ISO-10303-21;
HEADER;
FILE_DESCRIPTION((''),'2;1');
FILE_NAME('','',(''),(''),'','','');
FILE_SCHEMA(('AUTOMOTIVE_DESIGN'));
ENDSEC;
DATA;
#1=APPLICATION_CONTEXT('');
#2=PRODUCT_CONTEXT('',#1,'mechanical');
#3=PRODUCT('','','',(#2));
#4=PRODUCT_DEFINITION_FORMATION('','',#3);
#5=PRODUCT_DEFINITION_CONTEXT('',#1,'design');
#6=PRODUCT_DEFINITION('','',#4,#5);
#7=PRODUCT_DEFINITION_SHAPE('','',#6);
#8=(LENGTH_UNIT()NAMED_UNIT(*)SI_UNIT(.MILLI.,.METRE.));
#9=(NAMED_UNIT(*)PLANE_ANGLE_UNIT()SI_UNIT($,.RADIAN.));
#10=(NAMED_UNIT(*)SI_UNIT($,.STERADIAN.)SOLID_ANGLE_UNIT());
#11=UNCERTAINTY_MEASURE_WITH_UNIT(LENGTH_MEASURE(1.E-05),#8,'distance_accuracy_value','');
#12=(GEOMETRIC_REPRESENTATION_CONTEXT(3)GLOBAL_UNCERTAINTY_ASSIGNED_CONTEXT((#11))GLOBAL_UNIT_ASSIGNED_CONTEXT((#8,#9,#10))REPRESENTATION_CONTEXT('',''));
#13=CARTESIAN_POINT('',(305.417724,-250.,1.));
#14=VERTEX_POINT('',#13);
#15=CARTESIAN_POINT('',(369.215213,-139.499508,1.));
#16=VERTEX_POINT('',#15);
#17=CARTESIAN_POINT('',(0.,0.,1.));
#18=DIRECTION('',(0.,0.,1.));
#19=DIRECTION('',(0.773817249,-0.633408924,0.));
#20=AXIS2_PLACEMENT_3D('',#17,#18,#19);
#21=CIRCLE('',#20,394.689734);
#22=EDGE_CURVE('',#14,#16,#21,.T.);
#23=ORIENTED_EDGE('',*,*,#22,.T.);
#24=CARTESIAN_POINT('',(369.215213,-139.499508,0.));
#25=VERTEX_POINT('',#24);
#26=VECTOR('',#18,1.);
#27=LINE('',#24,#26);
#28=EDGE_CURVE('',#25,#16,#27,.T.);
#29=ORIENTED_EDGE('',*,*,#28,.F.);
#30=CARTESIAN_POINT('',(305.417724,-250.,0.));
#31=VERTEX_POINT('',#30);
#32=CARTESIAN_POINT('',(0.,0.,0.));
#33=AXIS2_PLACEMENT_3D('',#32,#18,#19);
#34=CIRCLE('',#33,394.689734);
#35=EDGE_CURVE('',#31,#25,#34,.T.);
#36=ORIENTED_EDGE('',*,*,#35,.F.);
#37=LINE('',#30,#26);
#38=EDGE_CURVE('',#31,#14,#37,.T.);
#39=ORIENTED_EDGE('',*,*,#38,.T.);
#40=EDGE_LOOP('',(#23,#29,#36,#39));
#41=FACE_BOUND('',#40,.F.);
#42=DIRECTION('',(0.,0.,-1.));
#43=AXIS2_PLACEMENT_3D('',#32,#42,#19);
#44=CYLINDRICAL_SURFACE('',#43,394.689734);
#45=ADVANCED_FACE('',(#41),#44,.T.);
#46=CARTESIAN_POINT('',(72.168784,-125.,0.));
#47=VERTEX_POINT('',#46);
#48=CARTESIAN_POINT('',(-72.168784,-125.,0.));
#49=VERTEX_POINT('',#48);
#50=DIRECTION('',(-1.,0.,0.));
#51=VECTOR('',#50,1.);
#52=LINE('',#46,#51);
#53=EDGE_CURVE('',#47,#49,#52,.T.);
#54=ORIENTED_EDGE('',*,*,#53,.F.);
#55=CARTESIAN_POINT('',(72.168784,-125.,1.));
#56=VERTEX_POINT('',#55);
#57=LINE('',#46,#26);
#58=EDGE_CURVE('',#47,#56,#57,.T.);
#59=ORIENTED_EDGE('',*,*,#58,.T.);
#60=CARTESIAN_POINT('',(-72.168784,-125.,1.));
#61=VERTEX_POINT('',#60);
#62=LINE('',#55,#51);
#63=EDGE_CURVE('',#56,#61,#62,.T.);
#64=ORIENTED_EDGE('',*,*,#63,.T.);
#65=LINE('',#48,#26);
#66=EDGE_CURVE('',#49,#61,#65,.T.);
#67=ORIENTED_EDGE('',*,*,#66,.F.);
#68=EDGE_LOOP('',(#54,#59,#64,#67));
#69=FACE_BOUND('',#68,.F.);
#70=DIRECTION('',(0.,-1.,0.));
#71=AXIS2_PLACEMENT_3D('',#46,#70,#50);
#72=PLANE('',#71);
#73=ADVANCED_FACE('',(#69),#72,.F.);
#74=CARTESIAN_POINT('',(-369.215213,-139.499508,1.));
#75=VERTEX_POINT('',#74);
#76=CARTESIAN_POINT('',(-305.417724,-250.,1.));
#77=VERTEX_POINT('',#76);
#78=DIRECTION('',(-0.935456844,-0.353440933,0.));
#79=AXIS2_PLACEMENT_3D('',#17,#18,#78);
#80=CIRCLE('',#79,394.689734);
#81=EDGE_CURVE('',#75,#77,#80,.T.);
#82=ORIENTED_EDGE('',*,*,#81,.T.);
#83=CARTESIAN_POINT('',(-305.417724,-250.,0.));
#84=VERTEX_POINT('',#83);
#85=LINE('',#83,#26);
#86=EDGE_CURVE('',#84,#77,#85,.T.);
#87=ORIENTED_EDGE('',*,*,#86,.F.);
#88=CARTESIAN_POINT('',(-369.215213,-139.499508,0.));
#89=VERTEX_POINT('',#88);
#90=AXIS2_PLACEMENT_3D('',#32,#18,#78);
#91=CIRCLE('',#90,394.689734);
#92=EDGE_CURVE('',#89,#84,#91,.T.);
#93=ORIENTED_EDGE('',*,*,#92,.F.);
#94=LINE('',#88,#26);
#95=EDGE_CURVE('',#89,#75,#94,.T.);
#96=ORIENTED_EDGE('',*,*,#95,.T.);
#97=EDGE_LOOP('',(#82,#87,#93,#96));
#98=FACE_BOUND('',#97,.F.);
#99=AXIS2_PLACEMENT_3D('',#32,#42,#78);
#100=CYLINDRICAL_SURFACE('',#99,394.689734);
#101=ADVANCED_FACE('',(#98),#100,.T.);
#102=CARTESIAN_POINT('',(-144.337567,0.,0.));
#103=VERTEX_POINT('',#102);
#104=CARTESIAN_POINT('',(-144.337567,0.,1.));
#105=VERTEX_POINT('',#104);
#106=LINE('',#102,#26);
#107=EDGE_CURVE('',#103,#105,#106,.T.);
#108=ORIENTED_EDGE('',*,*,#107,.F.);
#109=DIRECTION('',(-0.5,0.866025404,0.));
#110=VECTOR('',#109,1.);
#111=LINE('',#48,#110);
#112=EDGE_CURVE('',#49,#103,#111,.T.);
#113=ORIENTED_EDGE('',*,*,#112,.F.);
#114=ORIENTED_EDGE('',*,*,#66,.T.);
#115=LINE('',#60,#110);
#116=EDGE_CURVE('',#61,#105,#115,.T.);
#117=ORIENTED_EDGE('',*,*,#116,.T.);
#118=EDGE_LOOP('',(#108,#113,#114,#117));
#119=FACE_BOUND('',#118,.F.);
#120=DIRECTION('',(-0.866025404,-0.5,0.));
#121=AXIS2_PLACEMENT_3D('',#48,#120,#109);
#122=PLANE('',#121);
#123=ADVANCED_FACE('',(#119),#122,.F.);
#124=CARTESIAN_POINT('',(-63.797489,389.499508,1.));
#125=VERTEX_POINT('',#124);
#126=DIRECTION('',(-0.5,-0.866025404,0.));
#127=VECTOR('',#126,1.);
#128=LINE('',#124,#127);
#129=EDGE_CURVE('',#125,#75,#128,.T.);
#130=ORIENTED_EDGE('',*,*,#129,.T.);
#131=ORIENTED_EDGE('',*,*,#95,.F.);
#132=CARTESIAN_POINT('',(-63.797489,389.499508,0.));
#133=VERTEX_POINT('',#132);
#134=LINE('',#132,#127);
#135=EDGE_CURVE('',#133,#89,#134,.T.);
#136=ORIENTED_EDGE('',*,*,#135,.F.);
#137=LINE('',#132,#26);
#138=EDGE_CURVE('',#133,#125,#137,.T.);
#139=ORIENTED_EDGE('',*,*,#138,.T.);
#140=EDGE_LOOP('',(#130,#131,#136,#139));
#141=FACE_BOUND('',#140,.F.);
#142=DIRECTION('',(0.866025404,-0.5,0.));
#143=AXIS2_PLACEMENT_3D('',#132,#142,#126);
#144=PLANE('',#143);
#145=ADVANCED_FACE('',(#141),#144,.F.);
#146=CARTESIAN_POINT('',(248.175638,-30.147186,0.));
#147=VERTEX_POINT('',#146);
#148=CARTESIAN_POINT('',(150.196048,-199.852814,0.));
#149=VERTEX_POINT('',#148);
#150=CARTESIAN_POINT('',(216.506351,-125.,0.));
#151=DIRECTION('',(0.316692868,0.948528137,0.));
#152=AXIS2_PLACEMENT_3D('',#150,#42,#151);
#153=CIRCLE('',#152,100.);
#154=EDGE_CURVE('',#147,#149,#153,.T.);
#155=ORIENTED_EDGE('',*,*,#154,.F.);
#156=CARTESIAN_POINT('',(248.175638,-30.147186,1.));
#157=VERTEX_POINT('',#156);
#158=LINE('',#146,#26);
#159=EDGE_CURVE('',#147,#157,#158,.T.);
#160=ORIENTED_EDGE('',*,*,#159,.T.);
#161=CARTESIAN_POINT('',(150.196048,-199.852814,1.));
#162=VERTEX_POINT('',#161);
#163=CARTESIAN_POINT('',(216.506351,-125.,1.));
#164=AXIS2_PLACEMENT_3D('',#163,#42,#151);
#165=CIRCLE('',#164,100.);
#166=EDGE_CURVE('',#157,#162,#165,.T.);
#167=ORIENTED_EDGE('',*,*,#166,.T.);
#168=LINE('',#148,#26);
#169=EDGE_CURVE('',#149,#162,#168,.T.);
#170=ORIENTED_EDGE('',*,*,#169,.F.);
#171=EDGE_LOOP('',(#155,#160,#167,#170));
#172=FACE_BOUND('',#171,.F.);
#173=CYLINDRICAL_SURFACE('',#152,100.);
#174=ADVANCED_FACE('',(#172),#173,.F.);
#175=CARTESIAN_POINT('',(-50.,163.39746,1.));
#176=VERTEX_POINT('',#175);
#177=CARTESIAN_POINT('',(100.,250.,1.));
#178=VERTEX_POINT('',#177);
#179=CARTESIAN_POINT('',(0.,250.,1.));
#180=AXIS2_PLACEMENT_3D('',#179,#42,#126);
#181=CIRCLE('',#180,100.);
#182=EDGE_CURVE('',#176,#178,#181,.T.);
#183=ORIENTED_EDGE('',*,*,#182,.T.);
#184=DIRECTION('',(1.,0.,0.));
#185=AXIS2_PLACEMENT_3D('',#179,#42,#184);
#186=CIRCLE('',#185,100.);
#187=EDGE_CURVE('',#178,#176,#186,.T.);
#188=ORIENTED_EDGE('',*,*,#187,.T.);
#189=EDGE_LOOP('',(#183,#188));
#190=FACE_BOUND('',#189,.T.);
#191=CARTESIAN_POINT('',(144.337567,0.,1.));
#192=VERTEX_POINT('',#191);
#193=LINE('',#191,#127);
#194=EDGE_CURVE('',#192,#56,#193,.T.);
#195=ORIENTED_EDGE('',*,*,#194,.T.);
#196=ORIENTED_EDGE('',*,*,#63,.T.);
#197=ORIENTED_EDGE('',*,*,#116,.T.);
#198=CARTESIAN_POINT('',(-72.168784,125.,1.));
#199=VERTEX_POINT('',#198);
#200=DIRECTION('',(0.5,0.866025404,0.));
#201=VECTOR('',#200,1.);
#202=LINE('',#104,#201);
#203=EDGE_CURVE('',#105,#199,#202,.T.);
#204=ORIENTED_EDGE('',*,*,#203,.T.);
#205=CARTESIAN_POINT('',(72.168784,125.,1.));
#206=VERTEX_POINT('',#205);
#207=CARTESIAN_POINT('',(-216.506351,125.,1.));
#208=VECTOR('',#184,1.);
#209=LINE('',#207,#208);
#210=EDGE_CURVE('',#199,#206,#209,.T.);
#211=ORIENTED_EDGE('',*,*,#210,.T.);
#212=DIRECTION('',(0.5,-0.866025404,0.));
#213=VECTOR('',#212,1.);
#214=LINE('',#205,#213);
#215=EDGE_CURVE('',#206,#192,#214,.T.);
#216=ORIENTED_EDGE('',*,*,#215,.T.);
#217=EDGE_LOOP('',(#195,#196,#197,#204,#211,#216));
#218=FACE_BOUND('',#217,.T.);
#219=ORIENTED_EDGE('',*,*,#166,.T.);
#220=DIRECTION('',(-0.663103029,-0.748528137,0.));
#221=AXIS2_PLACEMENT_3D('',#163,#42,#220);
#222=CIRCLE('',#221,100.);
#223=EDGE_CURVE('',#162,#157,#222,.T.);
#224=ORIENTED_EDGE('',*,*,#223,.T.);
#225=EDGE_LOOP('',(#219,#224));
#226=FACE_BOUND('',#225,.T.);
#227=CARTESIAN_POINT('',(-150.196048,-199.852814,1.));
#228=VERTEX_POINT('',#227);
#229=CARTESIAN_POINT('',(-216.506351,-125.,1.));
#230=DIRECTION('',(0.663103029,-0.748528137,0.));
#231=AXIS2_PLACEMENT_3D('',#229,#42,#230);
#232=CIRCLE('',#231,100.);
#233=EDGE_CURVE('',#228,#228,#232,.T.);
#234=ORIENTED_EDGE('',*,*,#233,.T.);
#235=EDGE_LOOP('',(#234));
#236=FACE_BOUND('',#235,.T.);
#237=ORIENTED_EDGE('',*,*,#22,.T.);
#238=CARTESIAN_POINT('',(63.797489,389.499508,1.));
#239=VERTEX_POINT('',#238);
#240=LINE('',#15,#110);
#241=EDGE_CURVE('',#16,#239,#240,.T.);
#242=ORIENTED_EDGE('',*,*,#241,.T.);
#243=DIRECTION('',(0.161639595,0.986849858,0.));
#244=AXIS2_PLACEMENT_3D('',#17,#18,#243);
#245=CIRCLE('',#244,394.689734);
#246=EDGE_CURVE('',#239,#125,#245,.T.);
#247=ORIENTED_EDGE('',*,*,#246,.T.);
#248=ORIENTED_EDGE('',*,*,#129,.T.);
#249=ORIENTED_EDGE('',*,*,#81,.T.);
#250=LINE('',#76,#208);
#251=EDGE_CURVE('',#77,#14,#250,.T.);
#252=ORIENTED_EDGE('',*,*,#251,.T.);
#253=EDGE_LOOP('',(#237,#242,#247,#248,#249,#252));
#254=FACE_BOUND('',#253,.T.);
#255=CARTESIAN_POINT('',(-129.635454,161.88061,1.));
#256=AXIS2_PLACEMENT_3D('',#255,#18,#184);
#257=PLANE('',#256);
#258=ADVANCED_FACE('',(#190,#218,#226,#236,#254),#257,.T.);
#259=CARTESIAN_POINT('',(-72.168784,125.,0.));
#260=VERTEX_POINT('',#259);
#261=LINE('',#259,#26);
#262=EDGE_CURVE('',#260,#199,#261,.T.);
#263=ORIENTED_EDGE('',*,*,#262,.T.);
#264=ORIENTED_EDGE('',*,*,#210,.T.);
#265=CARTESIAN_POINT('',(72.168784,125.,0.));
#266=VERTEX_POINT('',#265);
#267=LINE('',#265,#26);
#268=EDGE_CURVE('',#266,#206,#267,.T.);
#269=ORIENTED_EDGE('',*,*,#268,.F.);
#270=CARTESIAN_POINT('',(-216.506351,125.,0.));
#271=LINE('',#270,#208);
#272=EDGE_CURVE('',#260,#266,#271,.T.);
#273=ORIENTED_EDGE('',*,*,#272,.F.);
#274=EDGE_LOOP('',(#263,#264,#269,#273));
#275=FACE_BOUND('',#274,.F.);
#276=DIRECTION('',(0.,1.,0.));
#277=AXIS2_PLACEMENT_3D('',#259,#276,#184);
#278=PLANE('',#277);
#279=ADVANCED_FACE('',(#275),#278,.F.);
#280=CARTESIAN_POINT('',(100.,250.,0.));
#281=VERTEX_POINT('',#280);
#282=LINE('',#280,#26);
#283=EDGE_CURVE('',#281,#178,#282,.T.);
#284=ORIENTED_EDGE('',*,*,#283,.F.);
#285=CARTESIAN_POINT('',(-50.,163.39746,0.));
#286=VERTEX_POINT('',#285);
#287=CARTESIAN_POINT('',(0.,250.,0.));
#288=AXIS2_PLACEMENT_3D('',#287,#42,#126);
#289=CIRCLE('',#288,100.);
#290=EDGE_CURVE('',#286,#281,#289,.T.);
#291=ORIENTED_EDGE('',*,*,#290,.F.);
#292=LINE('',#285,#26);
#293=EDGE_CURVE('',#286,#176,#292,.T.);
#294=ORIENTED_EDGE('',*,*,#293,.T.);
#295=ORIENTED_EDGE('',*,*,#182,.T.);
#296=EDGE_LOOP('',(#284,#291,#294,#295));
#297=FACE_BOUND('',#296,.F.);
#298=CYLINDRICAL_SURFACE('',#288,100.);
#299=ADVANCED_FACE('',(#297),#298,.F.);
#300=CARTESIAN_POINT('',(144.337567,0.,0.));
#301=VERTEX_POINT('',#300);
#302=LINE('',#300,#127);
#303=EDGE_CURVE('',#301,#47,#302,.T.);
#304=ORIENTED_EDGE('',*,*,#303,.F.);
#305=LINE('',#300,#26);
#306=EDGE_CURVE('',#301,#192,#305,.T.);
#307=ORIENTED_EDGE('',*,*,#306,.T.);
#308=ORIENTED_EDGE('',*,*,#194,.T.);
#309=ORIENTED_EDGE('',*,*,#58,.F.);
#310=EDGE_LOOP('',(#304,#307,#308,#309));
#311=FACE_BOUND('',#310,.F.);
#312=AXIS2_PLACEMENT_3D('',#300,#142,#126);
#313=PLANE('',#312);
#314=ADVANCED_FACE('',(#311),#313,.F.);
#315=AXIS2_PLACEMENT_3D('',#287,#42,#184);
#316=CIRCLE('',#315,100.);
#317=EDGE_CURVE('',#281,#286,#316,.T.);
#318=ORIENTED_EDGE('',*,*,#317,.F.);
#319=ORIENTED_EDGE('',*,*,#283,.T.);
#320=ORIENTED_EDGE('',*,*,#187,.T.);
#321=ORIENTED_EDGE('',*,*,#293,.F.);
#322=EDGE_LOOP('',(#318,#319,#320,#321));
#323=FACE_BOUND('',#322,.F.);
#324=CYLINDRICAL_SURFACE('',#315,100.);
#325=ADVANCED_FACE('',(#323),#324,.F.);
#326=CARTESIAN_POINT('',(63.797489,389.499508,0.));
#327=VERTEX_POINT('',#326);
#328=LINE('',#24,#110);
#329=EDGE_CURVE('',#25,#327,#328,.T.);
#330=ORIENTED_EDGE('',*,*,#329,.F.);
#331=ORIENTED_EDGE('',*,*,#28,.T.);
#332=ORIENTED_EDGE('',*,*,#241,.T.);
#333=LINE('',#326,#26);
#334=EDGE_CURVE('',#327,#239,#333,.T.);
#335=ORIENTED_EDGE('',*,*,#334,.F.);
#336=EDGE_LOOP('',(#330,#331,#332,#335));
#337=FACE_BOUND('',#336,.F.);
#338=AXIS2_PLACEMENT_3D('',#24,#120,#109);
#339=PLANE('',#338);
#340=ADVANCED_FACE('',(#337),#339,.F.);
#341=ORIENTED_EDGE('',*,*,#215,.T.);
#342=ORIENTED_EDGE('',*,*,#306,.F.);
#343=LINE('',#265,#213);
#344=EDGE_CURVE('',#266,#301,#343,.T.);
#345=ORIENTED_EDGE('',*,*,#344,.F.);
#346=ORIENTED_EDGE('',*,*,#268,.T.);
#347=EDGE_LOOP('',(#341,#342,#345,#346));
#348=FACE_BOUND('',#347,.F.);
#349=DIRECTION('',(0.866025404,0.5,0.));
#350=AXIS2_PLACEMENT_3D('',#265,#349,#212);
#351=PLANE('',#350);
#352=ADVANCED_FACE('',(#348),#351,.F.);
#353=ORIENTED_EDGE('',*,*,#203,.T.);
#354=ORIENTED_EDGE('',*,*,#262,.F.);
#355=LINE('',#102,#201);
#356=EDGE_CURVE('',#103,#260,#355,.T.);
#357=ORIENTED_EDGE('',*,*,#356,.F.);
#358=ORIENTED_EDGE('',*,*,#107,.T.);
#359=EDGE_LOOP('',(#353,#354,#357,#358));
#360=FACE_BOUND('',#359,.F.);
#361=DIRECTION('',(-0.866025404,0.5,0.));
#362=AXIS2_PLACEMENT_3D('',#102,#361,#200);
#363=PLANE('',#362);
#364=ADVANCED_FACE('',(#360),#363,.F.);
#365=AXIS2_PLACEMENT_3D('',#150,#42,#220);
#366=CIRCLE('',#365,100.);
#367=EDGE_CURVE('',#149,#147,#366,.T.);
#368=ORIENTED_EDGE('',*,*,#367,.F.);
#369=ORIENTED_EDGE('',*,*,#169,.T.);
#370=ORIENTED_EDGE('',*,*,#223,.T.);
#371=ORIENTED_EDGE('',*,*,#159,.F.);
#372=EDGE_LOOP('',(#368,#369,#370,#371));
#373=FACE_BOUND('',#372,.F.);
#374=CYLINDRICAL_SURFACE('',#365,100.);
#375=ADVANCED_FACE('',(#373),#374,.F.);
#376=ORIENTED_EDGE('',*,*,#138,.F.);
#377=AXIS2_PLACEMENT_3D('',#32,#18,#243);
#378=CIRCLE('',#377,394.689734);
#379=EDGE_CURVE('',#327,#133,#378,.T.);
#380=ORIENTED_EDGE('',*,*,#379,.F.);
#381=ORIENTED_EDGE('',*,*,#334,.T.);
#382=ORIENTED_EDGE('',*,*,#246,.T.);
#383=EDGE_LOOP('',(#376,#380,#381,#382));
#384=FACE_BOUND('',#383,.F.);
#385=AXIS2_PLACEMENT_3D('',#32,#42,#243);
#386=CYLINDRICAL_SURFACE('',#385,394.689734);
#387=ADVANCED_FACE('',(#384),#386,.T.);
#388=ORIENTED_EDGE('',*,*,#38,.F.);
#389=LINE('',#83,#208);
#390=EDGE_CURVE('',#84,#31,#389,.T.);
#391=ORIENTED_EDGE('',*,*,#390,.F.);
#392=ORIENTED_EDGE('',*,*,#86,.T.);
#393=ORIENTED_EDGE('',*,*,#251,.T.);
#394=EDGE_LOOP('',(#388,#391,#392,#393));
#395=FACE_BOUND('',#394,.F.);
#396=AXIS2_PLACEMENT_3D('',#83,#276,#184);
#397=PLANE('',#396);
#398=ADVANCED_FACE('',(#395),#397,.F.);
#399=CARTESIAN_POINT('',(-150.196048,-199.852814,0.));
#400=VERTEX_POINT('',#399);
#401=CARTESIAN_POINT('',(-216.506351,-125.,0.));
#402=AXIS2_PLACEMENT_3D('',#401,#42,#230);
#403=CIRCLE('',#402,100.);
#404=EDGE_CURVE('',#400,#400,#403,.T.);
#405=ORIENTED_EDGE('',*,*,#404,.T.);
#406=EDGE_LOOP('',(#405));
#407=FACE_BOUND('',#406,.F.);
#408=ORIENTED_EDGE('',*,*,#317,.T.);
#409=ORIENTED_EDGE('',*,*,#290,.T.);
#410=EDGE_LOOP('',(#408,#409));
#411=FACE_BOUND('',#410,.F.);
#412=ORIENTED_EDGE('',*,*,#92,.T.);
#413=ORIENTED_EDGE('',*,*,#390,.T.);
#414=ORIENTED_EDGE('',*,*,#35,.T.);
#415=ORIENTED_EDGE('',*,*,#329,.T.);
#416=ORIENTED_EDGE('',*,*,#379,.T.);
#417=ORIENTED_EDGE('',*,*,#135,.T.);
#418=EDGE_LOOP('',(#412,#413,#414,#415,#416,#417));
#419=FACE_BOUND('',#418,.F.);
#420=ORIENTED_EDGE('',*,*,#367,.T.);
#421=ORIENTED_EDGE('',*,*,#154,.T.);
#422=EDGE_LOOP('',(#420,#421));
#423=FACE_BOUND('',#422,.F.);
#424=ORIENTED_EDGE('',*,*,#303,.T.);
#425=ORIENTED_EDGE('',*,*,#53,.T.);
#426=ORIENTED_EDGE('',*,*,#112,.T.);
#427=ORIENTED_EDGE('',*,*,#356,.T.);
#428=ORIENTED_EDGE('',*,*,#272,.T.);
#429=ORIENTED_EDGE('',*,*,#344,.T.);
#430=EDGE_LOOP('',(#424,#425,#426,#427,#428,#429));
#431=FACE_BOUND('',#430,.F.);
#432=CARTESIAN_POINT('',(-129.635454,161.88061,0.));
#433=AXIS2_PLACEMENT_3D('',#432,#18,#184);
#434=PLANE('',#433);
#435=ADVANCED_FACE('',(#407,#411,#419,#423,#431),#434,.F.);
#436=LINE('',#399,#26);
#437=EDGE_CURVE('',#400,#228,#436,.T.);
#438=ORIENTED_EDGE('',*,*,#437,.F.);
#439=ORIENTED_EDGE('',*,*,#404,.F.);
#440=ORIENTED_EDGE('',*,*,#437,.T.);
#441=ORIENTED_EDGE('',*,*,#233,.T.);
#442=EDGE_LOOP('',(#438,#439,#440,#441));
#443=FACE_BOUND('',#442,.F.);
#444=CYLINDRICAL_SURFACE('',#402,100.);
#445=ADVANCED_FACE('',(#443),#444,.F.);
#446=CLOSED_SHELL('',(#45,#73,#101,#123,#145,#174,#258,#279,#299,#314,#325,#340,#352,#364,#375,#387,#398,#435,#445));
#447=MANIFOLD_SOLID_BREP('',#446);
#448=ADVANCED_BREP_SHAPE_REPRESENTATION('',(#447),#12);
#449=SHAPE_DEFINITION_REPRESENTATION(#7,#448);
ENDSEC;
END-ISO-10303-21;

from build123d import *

# Parameters (mm, degrees)
F1_DEPTH = 1


with BuildPart() as f1:
    # F0 (on Top) → F1 (new body)
    with BuildSketch(Plane.XY):
        with BuildLine():
            ThreePointArc((-97.9795897113, 230), (-165.7757573284, 187.132034356), (-216.5063509461, 125))
            Line((-216.5063509461, 125), (-72.1687836487, 125))
            Line((-72.1687836487, 125), (-50, 163.3974596216))
            ThreePointArc((-50, 163.3974596216), (-81.1385502643, 191.5488609093), (-97.9795897113, 230))
        make_face()
        with BuildLine():
            Line((-50, 163.3974596216), (-72.1687836487, 125))
            Line((-72.1687836487, 125), (72.1687836487, 125))
            Line((72.1687836487, 125), (50, 163.3974596216))
            ThreePointArc((50, 163.3974596216), (0, 150), (-50, 163.3974596216))
        make_face()
        with BuildLine():
            Line((50, 163.3974596216), (72.1687836487, 125))
            Line((72.1687836487, 125), (216.5063509461, 125))
            ThreePointArc((216.5063509461, 125), (165.7757573284, 187.132034356), (97.9795897113, 230))
            ThreePointArc((97.9795897113, 230), (81.1385502643, 191.5488609093), (50, 163.3974596216))
        make_face()
        Polygon((216.5063509461, 125), (72.1687836487, 125), (144.3375672974, 0), align=None)
        with BuildLine():
            ThreePointArc((250, 0), (241.4814565723, 64.7047612756), (216.5063509461, 125))
            Line((216.5063509461, 125), (144.3375672974, 0))
            Line((144.3375672974, 0), (166.5063509461, -38.3974596216))
            ThreePointArc((166.5063509461, -38.3974596216), (206.4554547456, -25.5063846995), (248.1756377261, -30.1471862576))
            ThreePointArc((248.1756377261, -30.1471862576), (249.5434926336, -15.1011683071), (250, 0))
        make_face()
        with BuildLine():
            Line((144.3375672974, 0), (72.1687836487, -125))
            Line((72.1687836487, -125), (116.5063509461, -125))
            ThreePointArc((116.5063509461, -125), (129.9038105677, -75), (166.5063509461, -38.3974596216))
            Line((166.5063509461, -38.3974596216), (144.3375672974, 0))
        make_face()
        with BuildLine():
            Line((72.1687836487, -125), (0, -250))
            ThreePointArc((0, -250), (79.1732169499, -237.132034356), (150.1960480148, -199.8528137424))
            ThreePointArc((150.1960480148, -199.8528137424), (125.3169044812, -166.0424762098), (116.5063509461, -125))
            Line((116.5063509461, -125), (72.1687836487, -125))
        make_face()
        Polygon((-72.1687836487, -125), (0, -250), (72.1687836487, -125), align=None)
        with BuildLine():
            ThreePointArc((-150.1960480148, -199.8528137424), (-79.1732169499, -237.132034356), (0, -250))
            Line((0, -250), (-72.1687836487, -125))
            Line((-72.1687836487, -125), (-116.5063509461, -125))
            ThreePointArc((-116.5063509461, -125), (-125.3169044812, -166.0424762098), (-150.1960480148, -199.8528137424))
        make_face()
        with BuildLine():
            Line((-72.1687836487, -125), (-144.3375672974, 0))
            Line((-144.3375672974, 0), (-166.5063509461, -38.3974596216))
            ThreePointArc((-166.5063509461, -38.3974596216), (-129.9038105677, -75), (-116.5063509461, -125))
            Line((-116.5063509461, -125), (-72.1687836487, -125))
        make_face()
        with BuildLine():
            Line((-144.3375672974, 0), (-216.5063509461, 125))
            ThreePointArc((-216.5063509461, 125), (-244.9489742783, 50), (-248.1756377261, -30.1471862576))
            ThreePointArc((-248.1756377261, -30.1471862576), (-206.4554547456, -25.5063846995), (-166.5063509461, -38.3974596216))
            Line((-166.5063509461, -38.3974596216), (-144.3375672974, 0))
        make_face()
        with BuildLine():
            Line((-63.7974888566, 389.4995079051), (-216.5063509461, 125))
            ThreePointArc((-216.5063509461, 125), (-165.7757573284, 187.132034356), (-97.9795897113, 230))
            ThreePointArc((-97.9795897113, 230), (-10.0508962005, 349.4936153005), (100, 250))
            ThreePointArc((100, 250), (99.4936153005, 239.9491037995), (97.9795897113, 230))
            ThreePointArc((97.9795897113, 230), (165.7757573284, 187.132034356), (216.5063509461, 125))
            Line((216.5063509461, 125), (63.7974888566, 389.4995079051))
            ThreePointArc((63.7974888566, 389.4995079051), (0, 394.6897341492), (-63.7974888566, 389.4995079051))
        make_face()
        with BuildLine():
            ThreePointArc((150.1960480148, -199.8528137424), (79.1732169499, -237.132034356), (0, -250))
            Line((0, -250), (305.4177241791, -250))
            ThreePointArc((305.4177241791, -250), (341.8113363861, -197.3448670746), (369.2152130357, -139.4995079052))
            Line((369.2152130357, -139.4995079052), (216.5063509461, 125))
            ThreePointArc((216.5063509461, 125), (241.4814565723, 64.7047612756), (250, 0))
            ThreePointArc((250, 0), (249.5434926336, -15.1011683071), (248.1756377261, -30.1471862576))
            ThreePointArc((248.1756377261, -30.1471862576), (297.6449012104, -66.5488609093), (316.5063509461, -125))
            ThreePointArc((316.5063509461, -125), (257.5488271559, -216.1894464649), (150.1960480148, -199.8528137424))
        make_face()
        with BuildLine():
            Line((-216.5063509461, 125), (-369.2152130357, -139.4995079052))
            ThreePointArc((-369.2152130357, -139.4995079052), (-341.8113363861, -197.3448670746), (-305.4177241791, -250))
            Line((-305.4177241791, -250), (0, -250))
            ThreePointArc((0, -250), (-79.1732169499, -237.132034356), (-150.1960480148, -199.8528137424))
            ThreePointArc((-150.1960480148, -199.8528137424), (-303.1088913246, -175), (-248.1756377261, -30.1471862576))
            ThreePointArc((-248.1756377261, -30.1471862576), (-244.9489742783, 50), (-216.5063509461, 125))
        make_face()
        Polygon((-72.1687836487, 125), (-216.5063509461, 125), (-144.3375672974, 0), align=None)
    extrude(amount=F1_DEPTH)


solid = f1.part
